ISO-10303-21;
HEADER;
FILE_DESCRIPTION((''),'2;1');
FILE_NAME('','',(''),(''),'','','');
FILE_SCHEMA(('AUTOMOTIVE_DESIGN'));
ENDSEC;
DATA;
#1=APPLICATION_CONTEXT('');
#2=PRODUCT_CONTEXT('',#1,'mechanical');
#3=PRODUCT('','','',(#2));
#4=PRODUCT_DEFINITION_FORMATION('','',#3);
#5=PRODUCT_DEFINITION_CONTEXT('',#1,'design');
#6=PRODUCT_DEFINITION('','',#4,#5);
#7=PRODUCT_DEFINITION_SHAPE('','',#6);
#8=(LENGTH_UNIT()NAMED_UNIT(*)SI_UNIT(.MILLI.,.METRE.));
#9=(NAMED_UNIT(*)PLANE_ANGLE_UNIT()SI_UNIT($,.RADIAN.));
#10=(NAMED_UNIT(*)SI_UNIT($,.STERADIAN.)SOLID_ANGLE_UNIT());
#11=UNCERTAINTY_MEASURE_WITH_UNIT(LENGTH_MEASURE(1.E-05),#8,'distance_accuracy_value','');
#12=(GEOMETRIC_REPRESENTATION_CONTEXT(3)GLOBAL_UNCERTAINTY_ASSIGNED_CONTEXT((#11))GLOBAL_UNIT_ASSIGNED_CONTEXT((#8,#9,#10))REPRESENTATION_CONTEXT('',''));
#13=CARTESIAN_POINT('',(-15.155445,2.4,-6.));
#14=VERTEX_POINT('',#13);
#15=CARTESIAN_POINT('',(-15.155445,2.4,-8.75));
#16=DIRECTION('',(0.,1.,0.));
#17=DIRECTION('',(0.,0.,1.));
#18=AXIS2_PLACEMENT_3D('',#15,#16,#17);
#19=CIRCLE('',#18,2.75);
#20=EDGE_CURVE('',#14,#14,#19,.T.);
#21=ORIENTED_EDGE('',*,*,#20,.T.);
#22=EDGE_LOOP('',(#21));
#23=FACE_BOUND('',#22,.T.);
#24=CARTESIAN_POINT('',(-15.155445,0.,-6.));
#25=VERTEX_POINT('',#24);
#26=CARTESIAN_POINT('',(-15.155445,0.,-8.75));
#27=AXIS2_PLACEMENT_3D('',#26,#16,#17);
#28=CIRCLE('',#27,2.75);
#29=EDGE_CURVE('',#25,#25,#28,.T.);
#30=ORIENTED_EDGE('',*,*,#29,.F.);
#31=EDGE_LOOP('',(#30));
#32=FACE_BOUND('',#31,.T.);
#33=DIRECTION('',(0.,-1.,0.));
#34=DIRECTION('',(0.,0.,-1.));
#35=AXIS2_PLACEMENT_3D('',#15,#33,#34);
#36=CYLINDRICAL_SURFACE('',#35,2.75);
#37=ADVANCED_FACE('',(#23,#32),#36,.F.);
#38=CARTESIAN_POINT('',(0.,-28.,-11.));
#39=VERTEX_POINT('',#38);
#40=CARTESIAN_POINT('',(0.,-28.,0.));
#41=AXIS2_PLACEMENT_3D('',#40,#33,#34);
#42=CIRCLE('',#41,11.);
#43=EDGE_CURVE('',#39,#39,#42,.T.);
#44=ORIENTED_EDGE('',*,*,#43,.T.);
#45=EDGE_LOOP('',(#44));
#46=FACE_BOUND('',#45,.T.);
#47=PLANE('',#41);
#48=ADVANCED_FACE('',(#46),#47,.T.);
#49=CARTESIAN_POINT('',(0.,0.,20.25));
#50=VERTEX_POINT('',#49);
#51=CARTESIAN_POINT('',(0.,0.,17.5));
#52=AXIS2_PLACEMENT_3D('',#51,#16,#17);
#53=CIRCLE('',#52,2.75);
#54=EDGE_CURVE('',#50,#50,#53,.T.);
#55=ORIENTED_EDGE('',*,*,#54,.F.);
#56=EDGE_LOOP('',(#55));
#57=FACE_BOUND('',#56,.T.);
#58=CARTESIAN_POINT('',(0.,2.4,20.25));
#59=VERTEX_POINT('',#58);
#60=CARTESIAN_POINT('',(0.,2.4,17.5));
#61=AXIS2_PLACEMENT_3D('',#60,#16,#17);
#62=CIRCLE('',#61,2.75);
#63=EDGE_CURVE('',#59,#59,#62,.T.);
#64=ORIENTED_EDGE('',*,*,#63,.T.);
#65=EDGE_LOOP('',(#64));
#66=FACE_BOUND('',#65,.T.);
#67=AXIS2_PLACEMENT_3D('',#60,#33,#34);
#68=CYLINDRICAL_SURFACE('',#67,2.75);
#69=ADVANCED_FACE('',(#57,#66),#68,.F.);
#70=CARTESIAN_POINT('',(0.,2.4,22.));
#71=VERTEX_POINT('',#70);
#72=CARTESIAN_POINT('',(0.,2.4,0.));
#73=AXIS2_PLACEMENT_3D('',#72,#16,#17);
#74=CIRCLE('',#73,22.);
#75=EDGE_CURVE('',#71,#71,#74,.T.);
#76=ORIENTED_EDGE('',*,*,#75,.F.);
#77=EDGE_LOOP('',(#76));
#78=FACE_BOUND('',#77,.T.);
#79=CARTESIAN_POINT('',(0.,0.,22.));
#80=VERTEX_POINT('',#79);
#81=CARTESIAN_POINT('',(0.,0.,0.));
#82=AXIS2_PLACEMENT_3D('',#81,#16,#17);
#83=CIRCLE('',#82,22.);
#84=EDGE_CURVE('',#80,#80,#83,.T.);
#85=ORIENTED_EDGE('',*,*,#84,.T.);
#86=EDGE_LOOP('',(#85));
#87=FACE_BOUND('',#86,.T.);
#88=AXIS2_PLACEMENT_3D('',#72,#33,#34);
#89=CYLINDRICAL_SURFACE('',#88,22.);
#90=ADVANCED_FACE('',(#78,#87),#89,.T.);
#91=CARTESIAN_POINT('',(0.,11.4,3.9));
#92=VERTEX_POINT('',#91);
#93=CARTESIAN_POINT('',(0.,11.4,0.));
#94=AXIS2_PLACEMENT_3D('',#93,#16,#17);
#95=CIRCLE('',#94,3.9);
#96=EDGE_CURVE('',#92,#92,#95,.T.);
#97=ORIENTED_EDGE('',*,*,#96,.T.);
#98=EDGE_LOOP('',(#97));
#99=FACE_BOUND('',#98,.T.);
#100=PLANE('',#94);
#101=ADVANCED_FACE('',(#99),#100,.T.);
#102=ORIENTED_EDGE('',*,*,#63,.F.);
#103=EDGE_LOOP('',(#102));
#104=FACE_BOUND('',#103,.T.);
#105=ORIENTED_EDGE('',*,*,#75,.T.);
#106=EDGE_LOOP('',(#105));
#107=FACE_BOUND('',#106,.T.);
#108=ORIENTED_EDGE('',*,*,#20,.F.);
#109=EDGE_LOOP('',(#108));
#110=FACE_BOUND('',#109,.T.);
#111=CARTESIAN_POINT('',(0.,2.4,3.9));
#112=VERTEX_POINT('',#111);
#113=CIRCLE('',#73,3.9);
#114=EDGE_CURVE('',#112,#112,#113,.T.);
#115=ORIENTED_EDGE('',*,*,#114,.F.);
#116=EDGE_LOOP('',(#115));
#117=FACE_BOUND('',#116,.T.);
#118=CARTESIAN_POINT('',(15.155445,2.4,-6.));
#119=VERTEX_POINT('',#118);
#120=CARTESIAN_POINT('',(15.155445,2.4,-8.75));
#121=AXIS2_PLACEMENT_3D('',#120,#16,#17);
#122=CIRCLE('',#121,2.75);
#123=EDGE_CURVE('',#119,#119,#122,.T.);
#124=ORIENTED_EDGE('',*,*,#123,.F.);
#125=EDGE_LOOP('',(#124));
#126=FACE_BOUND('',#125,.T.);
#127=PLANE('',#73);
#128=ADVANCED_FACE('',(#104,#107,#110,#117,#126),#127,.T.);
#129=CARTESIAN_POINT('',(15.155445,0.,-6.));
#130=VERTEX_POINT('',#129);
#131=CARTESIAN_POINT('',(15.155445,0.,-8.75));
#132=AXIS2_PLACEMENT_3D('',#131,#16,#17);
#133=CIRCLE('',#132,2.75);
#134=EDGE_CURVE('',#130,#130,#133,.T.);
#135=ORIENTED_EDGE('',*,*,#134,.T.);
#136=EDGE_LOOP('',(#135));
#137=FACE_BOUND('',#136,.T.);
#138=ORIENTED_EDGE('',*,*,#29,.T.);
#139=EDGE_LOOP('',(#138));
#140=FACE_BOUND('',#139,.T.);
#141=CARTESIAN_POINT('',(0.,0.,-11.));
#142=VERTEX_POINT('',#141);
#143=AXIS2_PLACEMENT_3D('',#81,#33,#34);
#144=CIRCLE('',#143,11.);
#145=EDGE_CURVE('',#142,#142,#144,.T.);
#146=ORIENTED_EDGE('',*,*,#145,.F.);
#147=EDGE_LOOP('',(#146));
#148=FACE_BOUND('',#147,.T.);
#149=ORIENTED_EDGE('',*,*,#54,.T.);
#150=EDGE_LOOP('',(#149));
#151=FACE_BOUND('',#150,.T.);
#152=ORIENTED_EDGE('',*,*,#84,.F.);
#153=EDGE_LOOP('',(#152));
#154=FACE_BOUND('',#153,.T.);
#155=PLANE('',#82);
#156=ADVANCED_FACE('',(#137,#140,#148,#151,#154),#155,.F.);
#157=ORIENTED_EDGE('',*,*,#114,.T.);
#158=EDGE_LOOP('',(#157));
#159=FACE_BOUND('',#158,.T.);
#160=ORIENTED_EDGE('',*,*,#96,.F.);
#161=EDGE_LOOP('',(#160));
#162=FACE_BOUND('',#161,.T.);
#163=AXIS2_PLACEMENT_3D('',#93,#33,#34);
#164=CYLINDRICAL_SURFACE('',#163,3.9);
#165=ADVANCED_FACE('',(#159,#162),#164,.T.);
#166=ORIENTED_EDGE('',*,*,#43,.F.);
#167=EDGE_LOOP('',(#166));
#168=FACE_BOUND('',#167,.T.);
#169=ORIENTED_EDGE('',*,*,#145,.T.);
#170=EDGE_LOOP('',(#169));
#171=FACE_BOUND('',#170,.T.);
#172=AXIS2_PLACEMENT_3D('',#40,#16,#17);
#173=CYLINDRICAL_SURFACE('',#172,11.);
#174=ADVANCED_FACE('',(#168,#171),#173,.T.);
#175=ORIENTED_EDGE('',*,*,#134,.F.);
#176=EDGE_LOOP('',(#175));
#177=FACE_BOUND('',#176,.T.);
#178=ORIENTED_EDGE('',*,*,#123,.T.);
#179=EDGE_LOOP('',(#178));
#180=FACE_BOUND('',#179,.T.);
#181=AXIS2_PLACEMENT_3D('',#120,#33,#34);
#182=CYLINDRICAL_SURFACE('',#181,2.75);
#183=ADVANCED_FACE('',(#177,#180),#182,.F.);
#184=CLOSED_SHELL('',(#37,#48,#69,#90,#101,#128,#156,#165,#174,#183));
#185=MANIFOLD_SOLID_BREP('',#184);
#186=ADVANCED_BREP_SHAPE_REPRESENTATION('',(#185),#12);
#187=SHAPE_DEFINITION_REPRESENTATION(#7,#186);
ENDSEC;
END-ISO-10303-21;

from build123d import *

# Parameters (mm, degrees)
SKETCH2_R           = 22
SKETCH2_R_2         = 2.75
BOSS_EXTRUDE1_DEPTH = 2.4
SKETCH3_R           = 3.9
BOSS_EXTRUDE2_DEPTH = 9
SKETCH4_R           = 11
BOSS_EXTRUDE3_DEPTH = 28


with BuildPart() as part:
    # Sketch2 → Boss-Extrude1 (new body)
    with BuildSketch(Plane(origin=(0, 0, 0), x_dir=(1, 0, 0), z_dir=(0, 1, 0))):
        Circle(SKETCH2_R)
        with Locations((15.155444566, 8.75)):
            Circle(SKETCH2_R_2, mode=Mode.SUBTRACT)
        with Locations((-15.155444566, 8.75)):
            Circle(SKETCH2_R_2, mode=Mode.SUBTRACT)
        with Locations((0, -17.5)):
            Circle(SKETCH2_R_2, mode=Mode.SUBTRACT)
    extrude(amount=BOSS_EXTRUDE1_DEPTH)

    # Sketch3 → Boss-Extrude2 (add)
    with BuildSketch(Plane(origin=(0, 2.4, 0), x_dir=(1, 0, 0), z_dir=(0, 1, 0))):
        Circle(SKETCH3_R)
    extrude(amount=BOSS_EXTRUDE2_DEPTH)

    # Sketch4 → Boss-Extrude3 (add)
    with BuildSketch(Plane.XZ):
        Circle(SKETCH4_R)
    extrude(amount=BOSS_EXTRUDE3_DEPTH)


solid = part.part
